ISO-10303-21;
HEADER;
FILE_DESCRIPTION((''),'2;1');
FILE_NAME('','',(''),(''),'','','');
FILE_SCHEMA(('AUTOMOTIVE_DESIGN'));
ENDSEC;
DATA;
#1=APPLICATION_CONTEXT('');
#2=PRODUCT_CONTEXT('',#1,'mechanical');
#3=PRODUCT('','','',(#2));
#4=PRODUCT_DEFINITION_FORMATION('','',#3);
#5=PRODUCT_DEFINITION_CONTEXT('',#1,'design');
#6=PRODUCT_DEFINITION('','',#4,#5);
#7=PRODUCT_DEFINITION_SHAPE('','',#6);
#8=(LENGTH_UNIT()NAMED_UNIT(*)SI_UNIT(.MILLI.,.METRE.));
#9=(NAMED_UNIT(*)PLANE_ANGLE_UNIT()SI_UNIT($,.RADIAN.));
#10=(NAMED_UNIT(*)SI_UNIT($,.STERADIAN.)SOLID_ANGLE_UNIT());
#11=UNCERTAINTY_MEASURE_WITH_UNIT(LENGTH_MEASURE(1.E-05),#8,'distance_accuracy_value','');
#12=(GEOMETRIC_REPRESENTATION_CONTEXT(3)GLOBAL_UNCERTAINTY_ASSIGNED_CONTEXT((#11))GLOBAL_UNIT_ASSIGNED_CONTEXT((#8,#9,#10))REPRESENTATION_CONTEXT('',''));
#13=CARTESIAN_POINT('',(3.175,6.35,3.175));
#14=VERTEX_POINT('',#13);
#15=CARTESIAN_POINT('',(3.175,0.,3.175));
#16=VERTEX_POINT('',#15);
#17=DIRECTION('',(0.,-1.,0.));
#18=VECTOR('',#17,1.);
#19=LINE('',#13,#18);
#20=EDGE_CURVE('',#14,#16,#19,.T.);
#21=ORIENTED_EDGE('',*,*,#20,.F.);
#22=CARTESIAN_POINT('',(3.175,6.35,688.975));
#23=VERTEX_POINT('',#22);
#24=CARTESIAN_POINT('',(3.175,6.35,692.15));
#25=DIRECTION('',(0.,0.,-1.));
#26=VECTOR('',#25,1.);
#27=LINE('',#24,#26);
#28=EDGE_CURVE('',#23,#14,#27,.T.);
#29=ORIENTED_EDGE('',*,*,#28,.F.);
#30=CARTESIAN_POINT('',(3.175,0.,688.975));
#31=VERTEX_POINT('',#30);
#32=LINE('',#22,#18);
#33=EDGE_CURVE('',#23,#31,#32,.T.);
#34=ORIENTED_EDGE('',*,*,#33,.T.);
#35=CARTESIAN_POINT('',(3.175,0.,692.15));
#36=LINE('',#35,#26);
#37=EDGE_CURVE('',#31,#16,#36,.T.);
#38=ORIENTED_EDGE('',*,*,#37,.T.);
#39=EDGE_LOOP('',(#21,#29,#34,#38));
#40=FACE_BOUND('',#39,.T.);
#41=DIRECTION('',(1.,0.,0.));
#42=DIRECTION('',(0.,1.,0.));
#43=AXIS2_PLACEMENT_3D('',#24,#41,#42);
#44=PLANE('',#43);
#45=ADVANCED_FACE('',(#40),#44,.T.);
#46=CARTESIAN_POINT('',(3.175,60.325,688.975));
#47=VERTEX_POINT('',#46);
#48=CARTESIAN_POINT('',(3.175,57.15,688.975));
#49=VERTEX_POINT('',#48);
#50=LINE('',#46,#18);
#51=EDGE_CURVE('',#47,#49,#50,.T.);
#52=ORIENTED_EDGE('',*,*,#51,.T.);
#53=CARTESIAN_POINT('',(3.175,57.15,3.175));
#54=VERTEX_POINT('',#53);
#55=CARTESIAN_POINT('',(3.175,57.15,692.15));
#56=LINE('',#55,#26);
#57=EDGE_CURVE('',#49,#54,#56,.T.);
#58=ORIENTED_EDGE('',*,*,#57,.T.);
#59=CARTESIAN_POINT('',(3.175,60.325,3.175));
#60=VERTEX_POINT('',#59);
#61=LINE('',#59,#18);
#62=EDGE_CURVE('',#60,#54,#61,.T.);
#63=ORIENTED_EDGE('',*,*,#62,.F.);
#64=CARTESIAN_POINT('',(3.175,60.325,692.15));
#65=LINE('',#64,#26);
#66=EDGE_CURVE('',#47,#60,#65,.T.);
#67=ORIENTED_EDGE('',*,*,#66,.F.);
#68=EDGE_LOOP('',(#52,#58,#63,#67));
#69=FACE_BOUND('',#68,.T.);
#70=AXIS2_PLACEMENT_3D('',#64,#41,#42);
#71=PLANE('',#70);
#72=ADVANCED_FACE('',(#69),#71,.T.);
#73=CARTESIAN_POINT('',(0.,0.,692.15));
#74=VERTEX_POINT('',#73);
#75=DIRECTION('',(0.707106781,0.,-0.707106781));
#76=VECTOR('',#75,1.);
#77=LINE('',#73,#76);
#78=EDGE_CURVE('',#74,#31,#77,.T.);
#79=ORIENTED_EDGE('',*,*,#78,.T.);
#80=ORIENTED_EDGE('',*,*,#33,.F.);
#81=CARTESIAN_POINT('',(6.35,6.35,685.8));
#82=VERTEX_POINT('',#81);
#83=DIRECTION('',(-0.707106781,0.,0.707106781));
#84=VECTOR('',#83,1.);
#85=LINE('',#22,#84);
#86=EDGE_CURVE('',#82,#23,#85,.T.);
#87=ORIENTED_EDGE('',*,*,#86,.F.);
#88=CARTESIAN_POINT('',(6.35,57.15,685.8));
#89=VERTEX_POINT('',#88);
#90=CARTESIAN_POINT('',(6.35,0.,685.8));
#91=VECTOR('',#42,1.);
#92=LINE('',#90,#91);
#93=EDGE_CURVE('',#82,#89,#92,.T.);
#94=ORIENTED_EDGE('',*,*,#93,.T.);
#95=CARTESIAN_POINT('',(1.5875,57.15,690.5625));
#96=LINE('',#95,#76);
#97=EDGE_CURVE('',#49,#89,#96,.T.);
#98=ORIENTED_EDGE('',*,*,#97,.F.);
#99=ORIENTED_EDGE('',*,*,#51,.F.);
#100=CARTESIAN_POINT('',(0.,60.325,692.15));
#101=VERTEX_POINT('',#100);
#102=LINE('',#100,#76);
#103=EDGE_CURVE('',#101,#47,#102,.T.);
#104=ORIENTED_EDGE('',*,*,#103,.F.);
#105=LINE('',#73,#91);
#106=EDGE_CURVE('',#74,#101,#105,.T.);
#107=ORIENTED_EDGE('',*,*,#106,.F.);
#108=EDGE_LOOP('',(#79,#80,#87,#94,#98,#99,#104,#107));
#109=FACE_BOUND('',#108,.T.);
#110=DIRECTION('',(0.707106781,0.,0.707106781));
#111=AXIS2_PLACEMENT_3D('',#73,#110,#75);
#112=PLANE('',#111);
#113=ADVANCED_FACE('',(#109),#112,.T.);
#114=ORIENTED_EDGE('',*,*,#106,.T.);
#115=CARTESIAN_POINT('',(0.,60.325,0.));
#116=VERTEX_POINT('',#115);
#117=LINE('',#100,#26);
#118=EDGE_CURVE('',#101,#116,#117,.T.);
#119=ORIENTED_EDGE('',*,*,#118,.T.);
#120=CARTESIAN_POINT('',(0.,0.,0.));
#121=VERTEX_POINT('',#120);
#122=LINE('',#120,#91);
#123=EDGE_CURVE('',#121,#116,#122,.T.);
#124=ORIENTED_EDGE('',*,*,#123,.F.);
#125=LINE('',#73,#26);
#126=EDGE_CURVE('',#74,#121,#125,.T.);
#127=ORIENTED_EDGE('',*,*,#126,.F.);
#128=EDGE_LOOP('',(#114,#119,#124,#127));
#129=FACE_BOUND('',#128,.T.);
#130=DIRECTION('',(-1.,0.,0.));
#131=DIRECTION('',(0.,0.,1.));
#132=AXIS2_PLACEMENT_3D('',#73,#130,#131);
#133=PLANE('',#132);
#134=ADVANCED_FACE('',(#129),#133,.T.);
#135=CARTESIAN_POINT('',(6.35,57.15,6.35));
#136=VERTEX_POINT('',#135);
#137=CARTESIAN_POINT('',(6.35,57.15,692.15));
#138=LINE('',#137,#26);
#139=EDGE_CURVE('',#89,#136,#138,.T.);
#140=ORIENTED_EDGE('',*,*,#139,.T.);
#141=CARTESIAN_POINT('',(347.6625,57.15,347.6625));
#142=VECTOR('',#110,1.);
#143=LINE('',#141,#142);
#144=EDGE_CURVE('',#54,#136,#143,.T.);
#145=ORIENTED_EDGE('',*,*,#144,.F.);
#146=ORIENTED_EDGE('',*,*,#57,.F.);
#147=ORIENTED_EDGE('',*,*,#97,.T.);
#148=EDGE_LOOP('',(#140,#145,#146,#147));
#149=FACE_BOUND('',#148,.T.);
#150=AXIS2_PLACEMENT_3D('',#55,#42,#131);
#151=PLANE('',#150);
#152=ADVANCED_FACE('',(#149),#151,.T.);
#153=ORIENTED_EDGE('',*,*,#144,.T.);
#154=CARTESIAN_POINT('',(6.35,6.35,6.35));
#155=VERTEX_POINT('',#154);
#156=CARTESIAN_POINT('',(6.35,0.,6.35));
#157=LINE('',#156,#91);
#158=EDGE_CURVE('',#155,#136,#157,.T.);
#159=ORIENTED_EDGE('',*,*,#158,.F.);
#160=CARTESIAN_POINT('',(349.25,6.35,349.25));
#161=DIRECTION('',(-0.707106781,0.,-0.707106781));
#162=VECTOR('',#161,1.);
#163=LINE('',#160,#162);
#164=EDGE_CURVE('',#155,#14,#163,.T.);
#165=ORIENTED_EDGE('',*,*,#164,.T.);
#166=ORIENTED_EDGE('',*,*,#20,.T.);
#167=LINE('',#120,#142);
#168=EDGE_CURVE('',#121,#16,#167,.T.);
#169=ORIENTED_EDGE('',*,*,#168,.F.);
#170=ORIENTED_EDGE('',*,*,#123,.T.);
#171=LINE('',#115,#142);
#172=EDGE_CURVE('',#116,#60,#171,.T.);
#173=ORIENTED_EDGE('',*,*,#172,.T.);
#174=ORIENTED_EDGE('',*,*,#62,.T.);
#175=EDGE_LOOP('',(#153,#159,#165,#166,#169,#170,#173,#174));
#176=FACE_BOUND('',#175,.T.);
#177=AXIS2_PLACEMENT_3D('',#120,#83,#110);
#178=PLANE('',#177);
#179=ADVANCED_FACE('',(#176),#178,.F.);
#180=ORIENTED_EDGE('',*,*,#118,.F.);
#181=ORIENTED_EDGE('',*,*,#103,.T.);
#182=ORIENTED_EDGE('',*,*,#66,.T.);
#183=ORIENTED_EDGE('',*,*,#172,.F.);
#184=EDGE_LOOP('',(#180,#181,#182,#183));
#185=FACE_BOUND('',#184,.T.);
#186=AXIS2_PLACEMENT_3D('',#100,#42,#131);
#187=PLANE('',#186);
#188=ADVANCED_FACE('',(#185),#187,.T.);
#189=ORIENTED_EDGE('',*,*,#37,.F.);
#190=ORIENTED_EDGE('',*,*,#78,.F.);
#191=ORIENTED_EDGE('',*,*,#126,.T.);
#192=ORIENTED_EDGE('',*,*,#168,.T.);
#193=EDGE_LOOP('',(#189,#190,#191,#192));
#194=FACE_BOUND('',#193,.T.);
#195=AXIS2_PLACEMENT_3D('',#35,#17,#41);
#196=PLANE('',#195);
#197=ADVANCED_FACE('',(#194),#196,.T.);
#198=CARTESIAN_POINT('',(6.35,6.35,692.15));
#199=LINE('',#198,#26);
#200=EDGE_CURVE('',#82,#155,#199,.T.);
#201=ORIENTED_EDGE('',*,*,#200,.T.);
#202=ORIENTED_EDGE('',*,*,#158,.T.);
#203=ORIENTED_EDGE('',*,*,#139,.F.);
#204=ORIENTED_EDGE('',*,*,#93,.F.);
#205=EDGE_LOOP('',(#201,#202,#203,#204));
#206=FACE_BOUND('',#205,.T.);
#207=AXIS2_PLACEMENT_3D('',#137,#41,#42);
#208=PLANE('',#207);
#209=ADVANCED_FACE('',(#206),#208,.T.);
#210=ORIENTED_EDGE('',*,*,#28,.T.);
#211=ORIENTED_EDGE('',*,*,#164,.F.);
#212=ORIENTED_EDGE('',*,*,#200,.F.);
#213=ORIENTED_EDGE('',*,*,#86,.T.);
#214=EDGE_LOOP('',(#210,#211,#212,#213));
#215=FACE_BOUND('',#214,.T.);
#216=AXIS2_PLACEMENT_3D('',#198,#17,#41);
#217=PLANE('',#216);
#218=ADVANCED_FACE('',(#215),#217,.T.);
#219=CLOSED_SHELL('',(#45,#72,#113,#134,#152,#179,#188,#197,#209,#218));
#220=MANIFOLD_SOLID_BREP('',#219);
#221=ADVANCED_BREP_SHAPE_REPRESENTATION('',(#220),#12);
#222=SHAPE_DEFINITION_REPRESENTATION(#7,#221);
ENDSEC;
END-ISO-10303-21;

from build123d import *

# Parameters (mm, degrees)
BOSS_EXTRUDE1_DEPTH = 692.15
CUT_EXTRUDE1_DEPTH  = 695.802886166


with BuildPart() as part:
    # Sketch1 → Boss-Extrude1 (new body)
    with BuildSketch(Plane.XY):
        Polygon((0, 0), (0, 60.325), (3.175, 60.325), (3.175, 57.15), (6.35, 57.15), (6.35, 6.35), (3.175, 6.35), (3.175, 0), align=None)
    extrude(amount=BOSS_EXTRUDE1_DEPTH)

    # Sketch2 → Cut-Extrude1 (cut, through all)
    with BuildSketch(Plane(origin=(0, 60.325, 0), x_dir=(1, 0, 0), z_dir=(0, 1, 0))):
        Polygon((0, 0), (6.35, -6.35), (6.35, 0), align=None)
    cut_extrude1 = extrude(amount=-CUT_EXTRUDE1_DEPTH, mode=Mode.SUBTRACT)

    # Mirror1: Cut-Extrude1 across plane
    add(cut_extrude1.mirror(Plane.XY.offset(346.075)), mode=Mode.SUBTRACT)


solid = part.part
